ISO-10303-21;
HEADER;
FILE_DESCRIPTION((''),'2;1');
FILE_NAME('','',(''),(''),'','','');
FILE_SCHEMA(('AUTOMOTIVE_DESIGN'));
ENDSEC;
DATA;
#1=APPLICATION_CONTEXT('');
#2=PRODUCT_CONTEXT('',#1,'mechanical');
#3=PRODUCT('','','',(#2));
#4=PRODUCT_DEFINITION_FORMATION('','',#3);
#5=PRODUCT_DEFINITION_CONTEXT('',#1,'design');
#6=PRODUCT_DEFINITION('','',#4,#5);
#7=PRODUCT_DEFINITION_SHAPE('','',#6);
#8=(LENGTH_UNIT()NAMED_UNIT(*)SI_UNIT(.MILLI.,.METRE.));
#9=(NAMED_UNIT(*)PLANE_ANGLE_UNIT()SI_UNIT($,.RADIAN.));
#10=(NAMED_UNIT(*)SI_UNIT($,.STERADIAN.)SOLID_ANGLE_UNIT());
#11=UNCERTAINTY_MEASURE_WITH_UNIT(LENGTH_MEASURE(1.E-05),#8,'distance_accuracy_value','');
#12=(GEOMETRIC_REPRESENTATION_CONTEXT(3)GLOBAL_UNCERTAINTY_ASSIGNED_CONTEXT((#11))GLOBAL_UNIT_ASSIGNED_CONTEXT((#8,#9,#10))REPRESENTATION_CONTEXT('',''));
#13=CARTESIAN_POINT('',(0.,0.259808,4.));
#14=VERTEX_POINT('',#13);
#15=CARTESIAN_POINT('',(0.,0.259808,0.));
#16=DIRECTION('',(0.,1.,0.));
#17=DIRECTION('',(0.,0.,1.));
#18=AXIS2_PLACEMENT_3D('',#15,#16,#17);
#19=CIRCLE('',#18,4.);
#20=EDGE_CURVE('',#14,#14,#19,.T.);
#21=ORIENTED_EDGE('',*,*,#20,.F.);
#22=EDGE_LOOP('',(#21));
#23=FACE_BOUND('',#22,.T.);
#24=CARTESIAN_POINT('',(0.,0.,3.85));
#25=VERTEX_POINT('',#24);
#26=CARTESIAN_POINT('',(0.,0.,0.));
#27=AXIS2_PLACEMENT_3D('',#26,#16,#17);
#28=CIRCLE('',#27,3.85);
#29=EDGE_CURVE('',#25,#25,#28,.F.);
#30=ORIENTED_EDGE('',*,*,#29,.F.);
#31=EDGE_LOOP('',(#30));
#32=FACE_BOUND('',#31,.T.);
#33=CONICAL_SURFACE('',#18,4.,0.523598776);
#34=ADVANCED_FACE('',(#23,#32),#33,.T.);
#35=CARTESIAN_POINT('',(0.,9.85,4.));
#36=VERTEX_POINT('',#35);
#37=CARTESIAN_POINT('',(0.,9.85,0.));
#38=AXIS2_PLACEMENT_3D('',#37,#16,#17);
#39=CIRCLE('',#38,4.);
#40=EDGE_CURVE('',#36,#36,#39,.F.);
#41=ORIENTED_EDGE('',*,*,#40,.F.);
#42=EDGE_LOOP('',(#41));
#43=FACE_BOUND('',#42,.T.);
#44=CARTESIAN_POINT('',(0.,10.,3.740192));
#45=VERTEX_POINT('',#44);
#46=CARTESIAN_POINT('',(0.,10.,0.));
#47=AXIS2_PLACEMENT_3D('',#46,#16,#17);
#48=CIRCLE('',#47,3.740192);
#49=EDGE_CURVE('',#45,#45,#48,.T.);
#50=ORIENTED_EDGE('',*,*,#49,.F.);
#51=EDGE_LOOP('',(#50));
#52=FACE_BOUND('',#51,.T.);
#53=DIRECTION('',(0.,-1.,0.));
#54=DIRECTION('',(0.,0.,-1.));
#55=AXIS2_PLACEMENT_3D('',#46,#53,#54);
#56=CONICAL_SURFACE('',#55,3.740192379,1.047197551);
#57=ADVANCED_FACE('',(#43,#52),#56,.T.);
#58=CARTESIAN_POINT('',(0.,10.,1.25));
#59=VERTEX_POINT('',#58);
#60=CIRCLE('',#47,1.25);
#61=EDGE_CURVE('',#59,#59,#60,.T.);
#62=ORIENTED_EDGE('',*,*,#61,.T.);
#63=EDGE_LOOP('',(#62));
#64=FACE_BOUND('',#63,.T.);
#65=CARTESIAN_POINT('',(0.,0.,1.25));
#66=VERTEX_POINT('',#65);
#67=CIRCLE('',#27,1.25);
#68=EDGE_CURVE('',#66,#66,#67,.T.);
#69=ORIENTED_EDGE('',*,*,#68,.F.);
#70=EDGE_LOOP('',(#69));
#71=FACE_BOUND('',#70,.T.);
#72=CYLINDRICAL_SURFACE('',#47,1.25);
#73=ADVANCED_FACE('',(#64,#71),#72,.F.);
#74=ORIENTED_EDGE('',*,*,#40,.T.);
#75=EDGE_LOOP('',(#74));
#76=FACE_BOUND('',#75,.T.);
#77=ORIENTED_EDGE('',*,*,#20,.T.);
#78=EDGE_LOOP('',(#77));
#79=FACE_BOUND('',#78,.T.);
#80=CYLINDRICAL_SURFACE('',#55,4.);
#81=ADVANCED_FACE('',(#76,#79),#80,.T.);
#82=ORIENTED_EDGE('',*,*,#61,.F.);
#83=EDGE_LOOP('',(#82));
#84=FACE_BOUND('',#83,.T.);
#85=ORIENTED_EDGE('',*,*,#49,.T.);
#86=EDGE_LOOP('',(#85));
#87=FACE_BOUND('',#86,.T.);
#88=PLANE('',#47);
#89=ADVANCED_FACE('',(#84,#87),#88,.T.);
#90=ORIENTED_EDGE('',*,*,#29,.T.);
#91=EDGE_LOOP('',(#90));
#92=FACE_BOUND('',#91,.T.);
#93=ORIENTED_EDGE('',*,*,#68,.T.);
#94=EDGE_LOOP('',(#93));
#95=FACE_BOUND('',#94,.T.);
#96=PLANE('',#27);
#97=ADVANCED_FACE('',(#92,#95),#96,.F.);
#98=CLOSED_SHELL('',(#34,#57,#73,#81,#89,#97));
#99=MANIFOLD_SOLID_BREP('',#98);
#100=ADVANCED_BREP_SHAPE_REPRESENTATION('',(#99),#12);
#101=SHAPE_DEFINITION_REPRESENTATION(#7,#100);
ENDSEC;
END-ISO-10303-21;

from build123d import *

# Parameters (mm, degrees)
SKETCH1_R             = 4
BOSS_EXTRUDE1_DEPTH   = 10
CHAMFER1_SIZE         = 0.15
CHAMFER1_SIZE2        = 0.259807621
CHAMFER1_PART_2_SIZE  = 0.15
CHAMFER1_PART_2_SIZE2 = 0.259807621
M3X0_5_TAPPED_HOLE1_D = 2.5


with BuildPart() as part:
    # Sketch1 → Boss-Extrude1 (new body)
    with BuildSketch(Plane(origin=(0, 0, 0), x_dir=(1, 0, 0), z_dir=(0, 1, 0))):
        Circle(SKETCH1_R)
    extrude(amount=BOSS_EXTRUDE1_DEPTH)

    # Chamfer1
    chamfer1_edges = [part.edges().sort_by_distance(p)[0] for p in [
        (-4, 0, 0),
    ]]
    chamfer1_side = [part.faces().sort_by_distance(p)[0] for p in [
        (0, 0, 0),
    ]]
    chamfer(chamfer1_edges, length=CHAMFER1_SIZE, length2=CHAMFER1_SIZE2, reference=chamfer1_side[0])

    # Chamfer1 part 2
    chamfer1_part_2_edges = [part.edges().sort_by_distance(p)[0] for p in [
        (-4, 10, 0),
    ]]
    chamfer1_part_2_side = [part.faces().sort_by_distance(p)[0] for p in [
        (-4, 5, 0),
    ]]
    chamfer(chamfer1_part_2_edges, length=CHAMFER1_PART_2_SIZE, length2=CHAMFER1_PART_2_SIZE2, reference=chamfer1_part_2_side[0])

    # M3x0.5 Tapped Hole1 (through all)
    with Locations(Plane(origin=(0, 10, 0), x_dir=(1, 0, 0), z_dir=(0, 1, 0))):
        with Locations((0, 0)):
            Hole(M3X0_5_TAPPED_HOLE1_D / 2)


solid = part.part
